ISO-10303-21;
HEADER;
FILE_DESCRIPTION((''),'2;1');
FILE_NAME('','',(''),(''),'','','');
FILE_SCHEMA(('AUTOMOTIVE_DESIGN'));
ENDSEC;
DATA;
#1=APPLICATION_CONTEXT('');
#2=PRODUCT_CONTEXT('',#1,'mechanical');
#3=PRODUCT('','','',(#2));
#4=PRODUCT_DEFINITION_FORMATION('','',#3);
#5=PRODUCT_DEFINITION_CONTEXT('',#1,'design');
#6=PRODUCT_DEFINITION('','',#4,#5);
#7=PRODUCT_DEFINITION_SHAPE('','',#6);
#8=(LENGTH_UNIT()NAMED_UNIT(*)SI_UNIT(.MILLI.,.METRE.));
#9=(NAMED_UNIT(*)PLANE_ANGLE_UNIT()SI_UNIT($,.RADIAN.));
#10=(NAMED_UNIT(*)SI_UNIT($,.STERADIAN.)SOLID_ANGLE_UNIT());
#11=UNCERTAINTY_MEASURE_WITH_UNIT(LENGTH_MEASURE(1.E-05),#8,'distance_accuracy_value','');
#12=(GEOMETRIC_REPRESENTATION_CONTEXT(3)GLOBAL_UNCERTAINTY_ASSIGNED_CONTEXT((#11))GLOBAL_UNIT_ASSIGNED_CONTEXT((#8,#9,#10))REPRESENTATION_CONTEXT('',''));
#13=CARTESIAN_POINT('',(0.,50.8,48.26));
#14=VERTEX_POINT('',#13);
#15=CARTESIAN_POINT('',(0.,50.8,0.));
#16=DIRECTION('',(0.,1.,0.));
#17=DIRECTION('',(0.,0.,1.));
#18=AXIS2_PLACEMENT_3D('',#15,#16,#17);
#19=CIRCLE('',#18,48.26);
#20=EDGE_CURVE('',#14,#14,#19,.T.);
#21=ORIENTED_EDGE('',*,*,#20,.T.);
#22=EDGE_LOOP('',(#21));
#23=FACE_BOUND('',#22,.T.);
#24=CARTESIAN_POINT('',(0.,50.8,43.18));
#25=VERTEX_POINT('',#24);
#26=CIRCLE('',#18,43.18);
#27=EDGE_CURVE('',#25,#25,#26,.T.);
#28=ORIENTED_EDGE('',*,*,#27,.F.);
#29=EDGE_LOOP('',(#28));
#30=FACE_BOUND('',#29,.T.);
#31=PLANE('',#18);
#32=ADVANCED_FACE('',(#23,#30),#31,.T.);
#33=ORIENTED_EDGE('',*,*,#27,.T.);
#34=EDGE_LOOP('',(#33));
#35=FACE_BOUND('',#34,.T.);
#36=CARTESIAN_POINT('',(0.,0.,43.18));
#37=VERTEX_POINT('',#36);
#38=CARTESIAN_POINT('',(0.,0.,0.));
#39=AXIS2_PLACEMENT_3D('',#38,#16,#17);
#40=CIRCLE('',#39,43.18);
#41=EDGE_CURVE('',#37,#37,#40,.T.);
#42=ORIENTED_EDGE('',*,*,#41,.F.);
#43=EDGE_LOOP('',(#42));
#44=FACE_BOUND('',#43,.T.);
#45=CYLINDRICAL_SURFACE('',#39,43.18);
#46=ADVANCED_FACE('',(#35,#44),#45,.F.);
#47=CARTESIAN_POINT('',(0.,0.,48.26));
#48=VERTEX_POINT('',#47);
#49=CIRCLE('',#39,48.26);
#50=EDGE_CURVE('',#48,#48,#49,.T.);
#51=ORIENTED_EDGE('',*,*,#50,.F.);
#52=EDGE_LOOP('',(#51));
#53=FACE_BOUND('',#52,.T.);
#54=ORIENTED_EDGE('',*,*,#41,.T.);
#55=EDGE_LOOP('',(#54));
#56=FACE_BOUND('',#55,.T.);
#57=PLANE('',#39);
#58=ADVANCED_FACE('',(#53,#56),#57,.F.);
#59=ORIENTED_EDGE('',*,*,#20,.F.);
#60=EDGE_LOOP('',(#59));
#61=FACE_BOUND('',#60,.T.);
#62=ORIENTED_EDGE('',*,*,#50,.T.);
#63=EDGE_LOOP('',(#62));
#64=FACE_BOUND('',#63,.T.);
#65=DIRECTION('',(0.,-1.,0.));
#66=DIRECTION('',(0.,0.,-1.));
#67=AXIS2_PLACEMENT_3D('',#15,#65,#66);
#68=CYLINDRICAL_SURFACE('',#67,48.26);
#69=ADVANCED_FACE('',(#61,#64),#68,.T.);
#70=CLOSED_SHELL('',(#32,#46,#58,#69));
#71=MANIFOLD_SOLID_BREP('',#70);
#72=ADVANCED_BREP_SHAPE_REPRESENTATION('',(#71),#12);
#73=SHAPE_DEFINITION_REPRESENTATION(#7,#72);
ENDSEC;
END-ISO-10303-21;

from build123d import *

# Parameters (mm, degrees)
SKETCH1_R           = 48.26
BOSS_EXTRUDE1_DEPTH = 50.8
SKETCH2_R           = 43.18
CUT_EXTRUDE1_DEPTH  = 50.8


with BuildPart() as part:
    # Sketch1 → Boss-Extrude1 (new body)
    with BuildSketch(Plane(origin=(0, 0, 0), x_dir=(1, 0, 0), z_dir=(0, 1, 0))):
        with Locations(Location((0, 0, 0), (0, 0, 270))):
            Circle(SKETCH1_R)
    extrude(amount=BOSS_EXTRUDE1_DEPTH)

    # Sketch2 → Cut-Extrude1 (cut)
    with BuildSketch(Plane(origin=(0, 50.8, 0), x_dir=(1, 0, 0), z_dir=(0, 1, 0))):
        with Locations(Location((0, 0, 0), (0, 0, 270))):
            Circle(SKETCH2_R)
    extrude(amount=-CUT_EXTRUDE1_DEPTH, mode=Mode.SUBTRACT)


solid = part.part
